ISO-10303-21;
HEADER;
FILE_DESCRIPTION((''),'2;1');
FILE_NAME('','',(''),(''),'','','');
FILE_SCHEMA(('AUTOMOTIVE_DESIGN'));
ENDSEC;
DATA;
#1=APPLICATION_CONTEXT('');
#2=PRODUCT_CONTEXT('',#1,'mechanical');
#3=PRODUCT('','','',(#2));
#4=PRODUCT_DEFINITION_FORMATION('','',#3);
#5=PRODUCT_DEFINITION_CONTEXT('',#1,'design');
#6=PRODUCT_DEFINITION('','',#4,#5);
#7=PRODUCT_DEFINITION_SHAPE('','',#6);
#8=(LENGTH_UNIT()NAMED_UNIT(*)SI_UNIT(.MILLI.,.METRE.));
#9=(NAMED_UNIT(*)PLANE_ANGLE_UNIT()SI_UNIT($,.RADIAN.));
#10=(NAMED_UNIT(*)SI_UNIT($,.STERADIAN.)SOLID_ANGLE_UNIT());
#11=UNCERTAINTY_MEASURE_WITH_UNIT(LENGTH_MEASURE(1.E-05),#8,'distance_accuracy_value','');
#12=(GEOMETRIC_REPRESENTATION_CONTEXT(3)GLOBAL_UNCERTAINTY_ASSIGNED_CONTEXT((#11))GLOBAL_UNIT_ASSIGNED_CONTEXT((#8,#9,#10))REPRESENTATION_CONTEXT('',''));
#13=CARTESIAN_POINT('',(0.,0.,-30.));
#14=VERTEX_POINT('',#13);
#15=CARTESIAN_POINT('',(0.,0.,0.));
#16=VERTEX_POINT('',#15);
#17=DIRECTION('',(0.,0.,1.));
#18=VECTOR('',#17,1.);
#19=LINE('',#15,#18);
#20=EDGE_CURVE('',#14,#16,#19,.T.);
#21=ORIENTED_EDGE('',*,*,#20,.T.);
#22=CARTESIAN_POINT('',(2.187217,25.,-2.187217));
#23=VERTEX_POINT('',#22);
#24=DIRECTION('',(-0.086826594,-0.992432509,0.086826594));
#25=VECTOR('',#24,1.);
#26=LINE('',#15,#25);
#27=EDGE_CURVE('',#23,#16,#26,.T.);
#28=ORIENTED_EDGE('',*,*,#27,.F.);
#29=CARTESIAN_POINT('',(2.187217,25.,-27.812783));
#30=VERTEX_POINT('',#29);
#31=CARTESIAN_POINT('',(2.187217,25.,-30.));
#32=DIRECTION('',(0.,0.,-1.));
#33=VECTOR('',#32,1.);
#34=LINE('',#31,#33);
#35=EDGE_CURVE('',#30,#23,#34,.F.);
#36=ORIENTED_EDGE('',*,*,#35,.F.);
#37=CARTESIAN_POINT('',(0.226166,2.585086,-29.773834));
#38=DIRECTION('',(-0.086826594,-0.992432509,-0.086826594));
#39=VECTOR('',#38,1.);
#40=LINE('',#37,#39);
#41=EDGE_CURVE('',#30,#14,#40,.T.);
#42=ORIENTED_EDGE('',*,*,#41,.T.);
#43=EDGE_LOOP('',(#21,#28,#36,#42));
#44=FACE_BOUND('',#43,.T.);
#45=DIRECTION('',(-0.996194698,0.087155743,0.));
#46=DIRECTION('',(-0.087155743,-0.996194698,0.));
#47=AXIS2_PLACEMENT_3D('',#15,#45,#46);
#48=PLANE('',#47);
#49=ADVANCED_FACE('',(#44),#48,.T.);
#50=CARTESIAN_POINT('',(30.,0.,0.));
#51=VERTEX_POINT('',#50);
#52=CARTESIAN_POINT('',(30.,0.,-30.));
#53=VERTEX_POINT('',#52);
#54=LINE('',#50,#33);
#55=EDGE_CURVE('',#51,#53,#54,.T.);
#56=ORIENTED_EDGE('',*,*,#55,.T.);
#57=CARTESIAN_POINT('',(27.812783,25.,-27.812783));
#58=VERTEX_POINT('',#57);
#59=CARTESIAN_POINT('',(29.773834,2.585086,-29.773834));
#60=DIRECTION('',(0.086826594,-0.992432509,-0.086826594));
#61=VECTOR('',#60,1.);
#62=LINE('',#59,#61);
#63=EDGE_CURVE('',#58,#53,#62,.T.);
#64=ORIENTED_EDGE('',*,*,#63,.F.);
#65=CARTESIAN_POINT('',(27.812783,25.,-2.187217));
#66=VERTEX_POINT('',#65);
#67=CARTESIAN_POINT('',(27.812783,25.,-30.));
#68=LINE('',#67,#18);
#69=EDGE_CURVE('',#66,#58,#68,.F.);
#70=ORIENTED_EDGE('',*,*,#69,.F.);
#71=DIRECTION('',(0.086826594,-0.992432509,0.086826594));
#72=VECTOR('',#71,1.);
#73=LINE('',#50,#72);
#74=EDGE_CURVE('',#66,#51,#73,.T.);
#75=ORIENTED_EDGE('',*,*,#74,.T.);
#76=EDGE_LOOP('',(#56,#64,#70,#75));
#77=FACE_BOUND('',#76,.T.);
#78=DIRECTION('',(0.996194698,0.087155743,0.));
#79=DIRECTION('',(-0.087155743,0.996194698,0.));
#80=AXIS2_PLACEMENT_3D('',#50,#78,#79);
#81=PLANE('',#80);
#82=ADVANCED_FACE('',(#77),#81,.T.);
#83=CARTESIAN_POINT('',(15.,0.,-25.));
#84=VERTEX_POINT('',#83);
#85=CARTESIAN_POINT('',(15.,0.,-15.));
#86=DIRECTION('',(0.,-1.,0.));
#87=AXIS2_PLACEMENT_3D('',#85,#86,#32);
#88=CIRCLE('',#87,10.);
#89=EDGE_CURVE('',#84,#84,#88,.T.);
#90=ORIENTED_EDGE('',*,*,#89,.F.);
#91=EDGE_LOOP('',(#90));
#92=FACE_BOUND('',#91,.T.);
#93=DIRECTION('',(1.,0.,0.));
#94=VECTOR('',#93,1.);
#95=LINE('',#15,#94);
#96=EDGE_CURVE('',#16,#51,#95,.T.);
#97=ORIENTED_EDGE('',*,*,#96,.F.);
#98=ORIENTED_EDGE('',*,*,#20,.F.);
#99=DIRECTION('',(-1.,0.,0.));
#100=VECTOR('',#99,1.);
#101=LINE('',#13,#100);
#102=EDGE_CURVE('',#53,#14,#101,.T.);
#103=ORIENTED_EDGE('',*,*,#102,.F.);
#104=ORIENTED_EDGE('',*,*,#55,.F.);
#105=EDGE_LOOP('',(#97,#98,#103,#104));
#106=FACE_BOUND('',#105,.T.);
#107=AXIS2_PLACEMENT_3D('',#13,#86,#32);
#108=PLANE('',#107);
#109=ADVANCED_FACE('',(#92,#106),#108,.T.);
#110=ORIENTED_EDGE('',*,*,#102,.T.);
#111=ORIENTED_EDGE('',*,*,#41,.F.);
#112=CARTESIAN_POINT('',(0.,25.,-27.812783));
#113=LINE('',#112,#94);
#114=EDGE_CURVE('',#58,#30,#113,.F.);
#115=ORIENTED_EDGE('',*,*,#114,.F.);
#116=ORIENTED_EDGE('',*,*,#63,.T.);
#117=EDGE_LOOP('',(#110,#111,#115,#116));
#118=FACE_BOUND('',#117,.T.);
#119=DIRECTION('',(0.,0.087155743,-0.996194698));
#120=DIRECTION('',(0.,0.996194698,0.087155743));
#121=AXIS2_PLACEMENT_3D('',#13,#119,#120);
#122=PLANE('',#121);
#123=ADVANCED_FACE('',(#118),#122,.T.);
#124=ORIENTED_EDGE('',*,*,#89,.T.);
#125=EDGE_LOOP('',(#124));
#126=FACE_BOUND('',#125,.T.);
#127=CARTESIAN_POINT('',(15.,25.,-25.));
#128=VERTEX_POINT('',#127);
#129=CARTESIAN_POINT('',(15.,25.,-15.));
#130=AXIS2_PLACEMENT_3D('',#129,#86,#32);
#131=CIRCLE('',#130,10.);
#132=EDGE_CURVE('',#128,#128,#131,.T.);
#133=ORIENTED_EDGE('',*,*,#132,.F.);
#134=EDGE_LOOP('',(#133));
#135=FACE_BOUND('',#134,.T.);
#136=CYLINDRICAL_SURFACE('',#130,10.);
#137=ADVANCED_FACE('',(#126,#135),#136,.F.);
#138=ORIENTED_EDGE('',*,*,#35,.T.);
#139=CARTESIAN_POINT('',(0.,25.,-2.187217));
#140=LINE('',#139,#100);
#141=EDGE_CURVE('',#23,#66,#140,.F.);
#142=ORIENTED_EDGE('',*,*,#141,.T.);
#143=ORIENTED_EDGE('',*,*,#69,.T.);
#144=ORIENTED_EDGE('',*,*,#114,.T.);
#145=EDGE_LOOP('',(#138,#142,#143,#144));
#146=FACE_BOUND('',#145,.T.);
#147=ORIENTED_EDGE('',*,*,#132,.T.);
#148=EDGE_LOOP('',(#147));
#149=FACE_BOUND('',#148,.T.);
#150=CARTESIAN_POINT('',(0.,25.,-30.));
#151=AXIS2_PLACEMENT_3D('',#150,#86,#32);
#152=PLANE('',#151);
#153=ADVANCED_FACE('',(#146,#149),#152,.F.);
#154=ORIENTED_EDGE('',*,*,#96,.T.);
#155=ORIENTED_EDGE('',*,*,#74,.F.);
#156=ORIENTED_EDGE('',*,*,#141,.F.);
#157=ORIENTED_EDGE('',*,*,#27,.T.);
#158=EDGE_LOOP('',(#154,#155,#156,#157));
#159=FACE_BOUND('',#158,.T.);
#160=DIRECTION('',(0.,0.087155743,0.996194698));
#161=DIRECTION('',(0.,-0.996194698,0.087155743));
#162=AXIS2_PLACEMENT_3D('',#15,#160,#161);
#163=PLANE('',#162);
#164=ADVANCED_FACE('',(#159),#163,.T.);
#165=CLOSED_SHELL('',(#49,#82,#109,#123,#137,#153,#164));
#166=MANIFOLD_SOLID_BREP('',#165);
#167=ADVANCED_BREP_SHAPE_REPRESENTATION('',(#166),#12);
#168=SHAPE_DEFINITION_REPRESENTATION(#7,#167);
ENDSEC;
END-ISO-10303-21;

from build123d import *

# Parameters (mm, degrees)
ESQUISSE1_W             = 30
ESQUISSE1_H             = 30
EXTRUSION1_DEPTH        = 25
EXTRUSION1_TAPER        = 5
ESQUISSE2_R             = 10
ENL_V_MAT_EXTRU_1_DEPTH = 26.0000001


with BuildPart() as part:
    # Esquisse1 → Extrusion1 (new body)
    with BuildSketch(Plane(origin=(0, 0, 0), x_dir=(1, 0, 0), z_dir=(0, 1, 0))):
        with Locations((15, 15)):
            Rectangle(ESQUISSE1_W, ESQUISSE1_H)
    extrude(amount=EXTRUSION1_DEPTH, taper=EXTRUSION1_TAPER)

    # Esquisse2 → Enlèv. mat.-Extru.1 (cut, through all)
    with BuildSketch(Plane.XZ):
        with Locations((15, -15)):
            Circle(ESQUISSE2_R)
    extrude(amount=-ENL_V_MAT_EXTRU_1_DEPTH, mode=Mode.SUBTRACT)


solid = part.part
